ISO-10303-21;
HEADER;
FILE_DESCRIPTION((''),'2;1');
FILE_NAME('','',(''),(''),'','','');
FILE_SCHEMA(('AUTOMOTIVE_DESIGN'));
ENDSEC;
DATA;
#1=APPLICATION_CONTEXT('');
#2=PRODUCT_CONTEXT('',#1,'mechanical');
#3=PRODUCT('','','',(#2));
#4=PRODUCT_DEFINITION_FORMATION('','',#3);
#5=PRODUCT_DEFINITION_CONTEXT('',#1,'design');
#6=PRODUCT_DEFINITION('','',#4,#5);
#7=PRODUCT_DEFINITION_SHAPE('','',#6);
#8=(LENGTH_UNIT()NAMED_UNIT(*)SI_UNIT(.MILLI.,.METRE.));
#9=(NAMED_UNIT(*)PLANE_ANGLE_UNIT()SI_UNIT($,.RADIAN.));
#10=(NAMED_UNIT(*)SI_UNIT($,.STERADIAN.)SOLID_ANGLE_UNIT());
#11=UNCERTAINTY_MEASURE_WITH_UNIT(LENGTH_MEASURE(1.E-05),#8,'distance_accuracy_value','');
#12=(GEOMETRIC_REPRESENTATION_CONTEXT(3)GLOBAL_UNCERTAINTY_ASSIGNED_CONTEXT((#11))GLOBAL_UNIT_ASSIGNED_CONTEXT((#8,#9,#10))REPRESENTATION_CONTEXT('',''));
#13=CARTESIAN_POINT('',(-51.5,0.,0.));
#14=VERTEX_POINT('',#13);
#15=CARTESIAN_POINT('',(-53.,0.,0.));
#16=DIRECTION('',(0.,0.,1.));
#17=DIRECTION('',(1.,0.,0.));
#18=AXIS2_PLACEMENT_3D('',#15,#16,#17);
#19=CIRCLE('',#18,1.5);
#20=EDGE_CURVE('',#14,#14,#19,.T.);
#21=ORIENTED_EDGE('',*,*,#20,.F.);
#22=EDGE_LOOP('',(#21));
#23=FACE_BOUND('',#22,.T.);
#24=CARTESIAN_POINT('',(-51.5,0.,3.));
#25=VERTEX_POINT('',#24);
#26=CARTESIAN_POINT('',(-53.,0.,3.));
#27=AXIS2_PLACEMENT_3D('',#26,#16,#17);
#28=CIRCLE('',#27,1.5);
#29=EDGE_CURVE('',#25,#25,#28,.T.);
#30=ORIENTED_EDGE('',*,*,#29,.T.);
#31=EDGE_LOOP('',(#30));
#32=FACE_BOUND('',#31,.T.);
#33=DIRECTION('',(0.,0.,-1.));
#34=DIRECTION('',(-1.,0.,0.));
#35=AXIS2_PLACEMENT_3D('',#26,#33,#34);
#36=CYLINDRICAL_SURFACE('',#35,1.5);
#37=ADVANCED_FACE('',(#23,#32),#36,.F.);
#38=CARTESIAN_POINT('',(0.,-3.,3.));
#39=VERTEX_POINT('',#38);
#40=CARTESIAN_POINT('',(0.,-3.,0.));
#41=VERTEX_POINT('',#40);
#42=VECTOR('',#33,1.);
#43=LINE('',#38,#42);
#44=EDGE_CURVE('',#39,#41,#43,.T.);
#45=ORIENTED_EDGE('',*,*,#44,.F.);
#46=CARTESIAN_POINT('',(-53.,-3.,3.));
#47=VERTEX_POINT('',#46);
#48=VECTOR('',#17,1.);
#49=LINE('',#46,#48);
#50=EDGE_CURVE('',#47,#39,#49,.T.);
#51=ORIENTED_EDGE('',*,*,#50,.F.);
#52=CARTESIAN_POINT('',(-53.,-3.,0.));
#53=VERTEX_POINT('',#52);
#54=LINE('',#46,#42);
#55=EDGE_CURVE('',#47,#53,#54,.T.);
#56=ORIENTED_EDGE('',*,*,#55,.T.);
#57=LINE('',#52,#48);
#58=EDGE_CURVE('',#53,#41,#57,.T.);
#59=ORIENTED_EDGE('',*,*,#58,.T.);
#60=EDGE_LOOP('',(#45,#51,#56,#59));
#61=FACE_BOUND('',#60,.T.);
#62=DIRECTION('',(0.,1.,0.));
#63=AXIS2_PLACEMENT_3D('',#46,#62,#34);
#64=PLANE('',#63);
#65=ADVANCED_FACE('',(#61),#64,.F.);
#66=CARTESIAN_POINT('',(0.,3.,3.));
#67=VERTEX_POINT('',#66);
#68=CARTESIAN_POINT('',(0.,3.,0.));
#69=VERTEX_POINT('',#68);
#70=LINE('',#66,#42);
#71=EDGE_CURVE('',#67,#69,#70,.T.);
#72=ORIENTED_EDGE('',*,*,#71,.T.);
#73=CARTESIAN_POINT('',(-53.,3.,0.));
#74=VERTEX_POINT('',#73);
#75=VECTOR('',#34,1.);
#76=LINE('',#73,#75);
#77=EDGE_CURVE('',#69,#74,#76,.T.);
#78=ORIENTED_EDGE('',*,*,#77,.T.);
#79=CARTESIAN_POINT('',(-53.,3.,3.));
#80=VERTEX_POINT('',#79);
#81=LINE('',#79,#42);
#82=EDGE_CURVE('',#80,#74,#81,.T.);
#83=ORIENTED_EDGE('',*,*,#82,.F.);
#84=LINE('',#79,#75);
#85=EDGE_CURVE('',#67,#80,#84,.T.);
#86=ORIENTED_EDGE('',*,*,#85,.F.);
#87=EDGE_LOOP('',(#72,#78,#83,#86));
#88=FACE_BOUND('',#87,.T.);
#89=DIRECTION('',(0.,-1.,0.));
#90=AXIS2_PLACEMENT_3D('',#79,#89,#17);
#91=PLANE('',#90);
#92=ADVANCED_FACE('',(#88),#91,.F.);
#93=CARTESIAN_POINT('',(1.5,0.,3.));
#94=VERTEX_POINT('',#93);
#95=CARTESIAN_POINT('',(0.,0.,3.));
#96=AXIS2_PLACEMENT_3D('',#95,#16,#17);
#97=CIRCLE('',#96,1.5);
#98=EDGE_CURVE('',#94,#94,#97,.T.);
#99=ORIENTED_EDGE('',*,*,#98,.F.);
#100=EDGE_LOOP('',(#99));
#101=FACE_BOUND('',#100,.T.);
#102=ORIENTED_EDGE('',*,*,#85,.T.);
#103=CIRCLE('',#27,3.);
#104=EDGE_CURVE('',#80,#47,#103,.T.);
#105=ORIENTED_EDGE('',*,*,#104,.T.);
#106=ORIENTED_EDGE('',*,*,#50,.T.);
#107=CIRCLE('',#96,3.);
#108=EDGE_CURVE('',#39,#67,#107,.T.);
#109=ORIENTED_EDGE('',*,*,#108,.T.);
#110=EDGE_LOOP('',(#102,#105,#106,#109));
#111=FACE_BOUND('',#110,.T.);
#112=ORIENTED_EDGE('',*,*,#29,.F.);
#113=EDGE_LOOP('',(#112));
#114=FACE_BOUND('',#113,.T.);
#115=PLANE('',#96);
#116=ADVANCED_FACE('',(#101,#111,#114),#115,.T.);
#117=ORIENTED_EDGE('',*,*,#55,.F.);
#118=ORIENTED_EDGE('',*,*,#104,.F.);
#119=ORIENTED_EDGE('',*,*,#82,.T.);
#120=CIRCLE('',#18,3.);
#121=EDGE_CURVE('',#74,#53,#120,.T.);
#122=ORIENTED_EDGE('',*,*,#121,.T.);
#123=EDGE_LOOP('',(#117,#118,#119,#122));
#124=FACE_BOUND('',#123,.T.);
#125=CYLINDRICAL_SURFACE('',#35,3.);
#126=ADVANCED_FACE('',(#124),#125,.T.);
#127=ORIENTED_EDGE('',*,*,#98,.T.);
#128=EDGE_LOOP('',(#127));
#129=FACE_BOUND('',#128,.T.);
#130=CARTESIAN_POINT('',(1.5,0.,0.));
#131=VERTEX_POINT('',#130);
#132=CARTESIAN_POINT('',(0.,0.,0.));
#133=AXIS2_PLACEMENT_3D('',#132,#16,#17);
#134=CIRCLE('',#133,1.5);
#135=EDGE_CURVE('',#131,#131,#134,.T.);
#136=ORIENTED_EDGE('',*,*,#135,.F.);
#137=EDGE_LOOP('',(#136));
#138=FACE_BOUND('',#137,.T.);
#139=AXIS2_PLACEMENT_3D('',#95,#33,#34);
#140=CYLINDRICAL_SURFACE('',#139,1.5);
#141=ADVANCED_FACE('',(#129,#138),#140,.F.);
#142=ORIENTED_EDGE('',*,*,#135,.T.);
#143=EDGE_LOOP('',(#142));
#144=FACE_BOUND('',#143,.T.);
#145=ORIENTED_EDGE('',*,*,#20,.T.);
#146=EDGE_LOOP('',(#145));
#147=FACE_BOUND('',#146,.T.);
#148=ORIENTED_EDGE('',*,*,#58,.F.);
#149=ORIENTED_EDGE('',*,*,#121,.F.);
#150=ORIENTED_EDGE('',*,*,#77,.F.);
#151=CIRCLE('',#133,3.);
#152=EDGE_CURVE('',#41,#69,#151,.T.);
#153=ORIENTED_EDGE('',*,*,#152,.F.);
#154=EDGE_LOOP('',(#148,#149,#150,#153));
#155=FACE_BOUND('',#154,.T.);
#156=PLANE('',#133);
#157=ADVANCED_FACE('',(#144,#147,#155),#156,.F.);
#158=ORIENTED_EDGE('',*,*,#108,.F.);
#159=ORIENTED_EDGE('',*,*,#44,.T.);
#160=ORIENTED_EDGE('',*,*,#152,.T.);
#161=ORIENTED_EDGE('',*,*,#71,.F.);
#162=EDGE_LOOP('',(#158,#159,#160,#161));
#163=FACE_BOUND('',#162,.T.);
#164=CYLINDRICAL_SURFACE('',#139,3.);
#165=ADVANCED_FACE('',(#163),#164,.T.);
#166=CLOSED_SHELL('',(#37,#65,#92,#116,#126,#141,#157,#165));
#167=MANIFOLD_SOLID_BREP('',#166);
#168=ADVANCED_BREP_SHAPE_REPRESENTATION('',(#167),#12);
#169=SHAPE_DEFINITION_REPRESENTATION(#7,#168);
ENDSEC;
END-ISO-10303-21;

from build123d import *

# Parameters (mm, degrees)
SKETCH2_R           = 1.5
BOSS_EXTRUDE1_DEPTH = 3


with BuildPart() as part:
    # Sketch2 → Boss-Extrude1 (new body)
    with BuildSketch(Plane.XY):
        with BuildLine():
            Line((-53, 3), (0, 3))
            ThreePointArc((0, 3), (3, 0), (0, -3))
            Line((0, -3), (-53, -3))
            ThreePointArc((-53, -3), (-56, 0), (-53, 3))
        make_face()
        with Locations((-53, 0)):
            Circle(SKETCH2_R, mode=Mode.SUBTRACT)
        Circle(SKETCH2_R, mode=Mode.SUBTRACT)
    extrude(amount=BOSS_EXTRUDE1_DEPTH)


solid = part.part
